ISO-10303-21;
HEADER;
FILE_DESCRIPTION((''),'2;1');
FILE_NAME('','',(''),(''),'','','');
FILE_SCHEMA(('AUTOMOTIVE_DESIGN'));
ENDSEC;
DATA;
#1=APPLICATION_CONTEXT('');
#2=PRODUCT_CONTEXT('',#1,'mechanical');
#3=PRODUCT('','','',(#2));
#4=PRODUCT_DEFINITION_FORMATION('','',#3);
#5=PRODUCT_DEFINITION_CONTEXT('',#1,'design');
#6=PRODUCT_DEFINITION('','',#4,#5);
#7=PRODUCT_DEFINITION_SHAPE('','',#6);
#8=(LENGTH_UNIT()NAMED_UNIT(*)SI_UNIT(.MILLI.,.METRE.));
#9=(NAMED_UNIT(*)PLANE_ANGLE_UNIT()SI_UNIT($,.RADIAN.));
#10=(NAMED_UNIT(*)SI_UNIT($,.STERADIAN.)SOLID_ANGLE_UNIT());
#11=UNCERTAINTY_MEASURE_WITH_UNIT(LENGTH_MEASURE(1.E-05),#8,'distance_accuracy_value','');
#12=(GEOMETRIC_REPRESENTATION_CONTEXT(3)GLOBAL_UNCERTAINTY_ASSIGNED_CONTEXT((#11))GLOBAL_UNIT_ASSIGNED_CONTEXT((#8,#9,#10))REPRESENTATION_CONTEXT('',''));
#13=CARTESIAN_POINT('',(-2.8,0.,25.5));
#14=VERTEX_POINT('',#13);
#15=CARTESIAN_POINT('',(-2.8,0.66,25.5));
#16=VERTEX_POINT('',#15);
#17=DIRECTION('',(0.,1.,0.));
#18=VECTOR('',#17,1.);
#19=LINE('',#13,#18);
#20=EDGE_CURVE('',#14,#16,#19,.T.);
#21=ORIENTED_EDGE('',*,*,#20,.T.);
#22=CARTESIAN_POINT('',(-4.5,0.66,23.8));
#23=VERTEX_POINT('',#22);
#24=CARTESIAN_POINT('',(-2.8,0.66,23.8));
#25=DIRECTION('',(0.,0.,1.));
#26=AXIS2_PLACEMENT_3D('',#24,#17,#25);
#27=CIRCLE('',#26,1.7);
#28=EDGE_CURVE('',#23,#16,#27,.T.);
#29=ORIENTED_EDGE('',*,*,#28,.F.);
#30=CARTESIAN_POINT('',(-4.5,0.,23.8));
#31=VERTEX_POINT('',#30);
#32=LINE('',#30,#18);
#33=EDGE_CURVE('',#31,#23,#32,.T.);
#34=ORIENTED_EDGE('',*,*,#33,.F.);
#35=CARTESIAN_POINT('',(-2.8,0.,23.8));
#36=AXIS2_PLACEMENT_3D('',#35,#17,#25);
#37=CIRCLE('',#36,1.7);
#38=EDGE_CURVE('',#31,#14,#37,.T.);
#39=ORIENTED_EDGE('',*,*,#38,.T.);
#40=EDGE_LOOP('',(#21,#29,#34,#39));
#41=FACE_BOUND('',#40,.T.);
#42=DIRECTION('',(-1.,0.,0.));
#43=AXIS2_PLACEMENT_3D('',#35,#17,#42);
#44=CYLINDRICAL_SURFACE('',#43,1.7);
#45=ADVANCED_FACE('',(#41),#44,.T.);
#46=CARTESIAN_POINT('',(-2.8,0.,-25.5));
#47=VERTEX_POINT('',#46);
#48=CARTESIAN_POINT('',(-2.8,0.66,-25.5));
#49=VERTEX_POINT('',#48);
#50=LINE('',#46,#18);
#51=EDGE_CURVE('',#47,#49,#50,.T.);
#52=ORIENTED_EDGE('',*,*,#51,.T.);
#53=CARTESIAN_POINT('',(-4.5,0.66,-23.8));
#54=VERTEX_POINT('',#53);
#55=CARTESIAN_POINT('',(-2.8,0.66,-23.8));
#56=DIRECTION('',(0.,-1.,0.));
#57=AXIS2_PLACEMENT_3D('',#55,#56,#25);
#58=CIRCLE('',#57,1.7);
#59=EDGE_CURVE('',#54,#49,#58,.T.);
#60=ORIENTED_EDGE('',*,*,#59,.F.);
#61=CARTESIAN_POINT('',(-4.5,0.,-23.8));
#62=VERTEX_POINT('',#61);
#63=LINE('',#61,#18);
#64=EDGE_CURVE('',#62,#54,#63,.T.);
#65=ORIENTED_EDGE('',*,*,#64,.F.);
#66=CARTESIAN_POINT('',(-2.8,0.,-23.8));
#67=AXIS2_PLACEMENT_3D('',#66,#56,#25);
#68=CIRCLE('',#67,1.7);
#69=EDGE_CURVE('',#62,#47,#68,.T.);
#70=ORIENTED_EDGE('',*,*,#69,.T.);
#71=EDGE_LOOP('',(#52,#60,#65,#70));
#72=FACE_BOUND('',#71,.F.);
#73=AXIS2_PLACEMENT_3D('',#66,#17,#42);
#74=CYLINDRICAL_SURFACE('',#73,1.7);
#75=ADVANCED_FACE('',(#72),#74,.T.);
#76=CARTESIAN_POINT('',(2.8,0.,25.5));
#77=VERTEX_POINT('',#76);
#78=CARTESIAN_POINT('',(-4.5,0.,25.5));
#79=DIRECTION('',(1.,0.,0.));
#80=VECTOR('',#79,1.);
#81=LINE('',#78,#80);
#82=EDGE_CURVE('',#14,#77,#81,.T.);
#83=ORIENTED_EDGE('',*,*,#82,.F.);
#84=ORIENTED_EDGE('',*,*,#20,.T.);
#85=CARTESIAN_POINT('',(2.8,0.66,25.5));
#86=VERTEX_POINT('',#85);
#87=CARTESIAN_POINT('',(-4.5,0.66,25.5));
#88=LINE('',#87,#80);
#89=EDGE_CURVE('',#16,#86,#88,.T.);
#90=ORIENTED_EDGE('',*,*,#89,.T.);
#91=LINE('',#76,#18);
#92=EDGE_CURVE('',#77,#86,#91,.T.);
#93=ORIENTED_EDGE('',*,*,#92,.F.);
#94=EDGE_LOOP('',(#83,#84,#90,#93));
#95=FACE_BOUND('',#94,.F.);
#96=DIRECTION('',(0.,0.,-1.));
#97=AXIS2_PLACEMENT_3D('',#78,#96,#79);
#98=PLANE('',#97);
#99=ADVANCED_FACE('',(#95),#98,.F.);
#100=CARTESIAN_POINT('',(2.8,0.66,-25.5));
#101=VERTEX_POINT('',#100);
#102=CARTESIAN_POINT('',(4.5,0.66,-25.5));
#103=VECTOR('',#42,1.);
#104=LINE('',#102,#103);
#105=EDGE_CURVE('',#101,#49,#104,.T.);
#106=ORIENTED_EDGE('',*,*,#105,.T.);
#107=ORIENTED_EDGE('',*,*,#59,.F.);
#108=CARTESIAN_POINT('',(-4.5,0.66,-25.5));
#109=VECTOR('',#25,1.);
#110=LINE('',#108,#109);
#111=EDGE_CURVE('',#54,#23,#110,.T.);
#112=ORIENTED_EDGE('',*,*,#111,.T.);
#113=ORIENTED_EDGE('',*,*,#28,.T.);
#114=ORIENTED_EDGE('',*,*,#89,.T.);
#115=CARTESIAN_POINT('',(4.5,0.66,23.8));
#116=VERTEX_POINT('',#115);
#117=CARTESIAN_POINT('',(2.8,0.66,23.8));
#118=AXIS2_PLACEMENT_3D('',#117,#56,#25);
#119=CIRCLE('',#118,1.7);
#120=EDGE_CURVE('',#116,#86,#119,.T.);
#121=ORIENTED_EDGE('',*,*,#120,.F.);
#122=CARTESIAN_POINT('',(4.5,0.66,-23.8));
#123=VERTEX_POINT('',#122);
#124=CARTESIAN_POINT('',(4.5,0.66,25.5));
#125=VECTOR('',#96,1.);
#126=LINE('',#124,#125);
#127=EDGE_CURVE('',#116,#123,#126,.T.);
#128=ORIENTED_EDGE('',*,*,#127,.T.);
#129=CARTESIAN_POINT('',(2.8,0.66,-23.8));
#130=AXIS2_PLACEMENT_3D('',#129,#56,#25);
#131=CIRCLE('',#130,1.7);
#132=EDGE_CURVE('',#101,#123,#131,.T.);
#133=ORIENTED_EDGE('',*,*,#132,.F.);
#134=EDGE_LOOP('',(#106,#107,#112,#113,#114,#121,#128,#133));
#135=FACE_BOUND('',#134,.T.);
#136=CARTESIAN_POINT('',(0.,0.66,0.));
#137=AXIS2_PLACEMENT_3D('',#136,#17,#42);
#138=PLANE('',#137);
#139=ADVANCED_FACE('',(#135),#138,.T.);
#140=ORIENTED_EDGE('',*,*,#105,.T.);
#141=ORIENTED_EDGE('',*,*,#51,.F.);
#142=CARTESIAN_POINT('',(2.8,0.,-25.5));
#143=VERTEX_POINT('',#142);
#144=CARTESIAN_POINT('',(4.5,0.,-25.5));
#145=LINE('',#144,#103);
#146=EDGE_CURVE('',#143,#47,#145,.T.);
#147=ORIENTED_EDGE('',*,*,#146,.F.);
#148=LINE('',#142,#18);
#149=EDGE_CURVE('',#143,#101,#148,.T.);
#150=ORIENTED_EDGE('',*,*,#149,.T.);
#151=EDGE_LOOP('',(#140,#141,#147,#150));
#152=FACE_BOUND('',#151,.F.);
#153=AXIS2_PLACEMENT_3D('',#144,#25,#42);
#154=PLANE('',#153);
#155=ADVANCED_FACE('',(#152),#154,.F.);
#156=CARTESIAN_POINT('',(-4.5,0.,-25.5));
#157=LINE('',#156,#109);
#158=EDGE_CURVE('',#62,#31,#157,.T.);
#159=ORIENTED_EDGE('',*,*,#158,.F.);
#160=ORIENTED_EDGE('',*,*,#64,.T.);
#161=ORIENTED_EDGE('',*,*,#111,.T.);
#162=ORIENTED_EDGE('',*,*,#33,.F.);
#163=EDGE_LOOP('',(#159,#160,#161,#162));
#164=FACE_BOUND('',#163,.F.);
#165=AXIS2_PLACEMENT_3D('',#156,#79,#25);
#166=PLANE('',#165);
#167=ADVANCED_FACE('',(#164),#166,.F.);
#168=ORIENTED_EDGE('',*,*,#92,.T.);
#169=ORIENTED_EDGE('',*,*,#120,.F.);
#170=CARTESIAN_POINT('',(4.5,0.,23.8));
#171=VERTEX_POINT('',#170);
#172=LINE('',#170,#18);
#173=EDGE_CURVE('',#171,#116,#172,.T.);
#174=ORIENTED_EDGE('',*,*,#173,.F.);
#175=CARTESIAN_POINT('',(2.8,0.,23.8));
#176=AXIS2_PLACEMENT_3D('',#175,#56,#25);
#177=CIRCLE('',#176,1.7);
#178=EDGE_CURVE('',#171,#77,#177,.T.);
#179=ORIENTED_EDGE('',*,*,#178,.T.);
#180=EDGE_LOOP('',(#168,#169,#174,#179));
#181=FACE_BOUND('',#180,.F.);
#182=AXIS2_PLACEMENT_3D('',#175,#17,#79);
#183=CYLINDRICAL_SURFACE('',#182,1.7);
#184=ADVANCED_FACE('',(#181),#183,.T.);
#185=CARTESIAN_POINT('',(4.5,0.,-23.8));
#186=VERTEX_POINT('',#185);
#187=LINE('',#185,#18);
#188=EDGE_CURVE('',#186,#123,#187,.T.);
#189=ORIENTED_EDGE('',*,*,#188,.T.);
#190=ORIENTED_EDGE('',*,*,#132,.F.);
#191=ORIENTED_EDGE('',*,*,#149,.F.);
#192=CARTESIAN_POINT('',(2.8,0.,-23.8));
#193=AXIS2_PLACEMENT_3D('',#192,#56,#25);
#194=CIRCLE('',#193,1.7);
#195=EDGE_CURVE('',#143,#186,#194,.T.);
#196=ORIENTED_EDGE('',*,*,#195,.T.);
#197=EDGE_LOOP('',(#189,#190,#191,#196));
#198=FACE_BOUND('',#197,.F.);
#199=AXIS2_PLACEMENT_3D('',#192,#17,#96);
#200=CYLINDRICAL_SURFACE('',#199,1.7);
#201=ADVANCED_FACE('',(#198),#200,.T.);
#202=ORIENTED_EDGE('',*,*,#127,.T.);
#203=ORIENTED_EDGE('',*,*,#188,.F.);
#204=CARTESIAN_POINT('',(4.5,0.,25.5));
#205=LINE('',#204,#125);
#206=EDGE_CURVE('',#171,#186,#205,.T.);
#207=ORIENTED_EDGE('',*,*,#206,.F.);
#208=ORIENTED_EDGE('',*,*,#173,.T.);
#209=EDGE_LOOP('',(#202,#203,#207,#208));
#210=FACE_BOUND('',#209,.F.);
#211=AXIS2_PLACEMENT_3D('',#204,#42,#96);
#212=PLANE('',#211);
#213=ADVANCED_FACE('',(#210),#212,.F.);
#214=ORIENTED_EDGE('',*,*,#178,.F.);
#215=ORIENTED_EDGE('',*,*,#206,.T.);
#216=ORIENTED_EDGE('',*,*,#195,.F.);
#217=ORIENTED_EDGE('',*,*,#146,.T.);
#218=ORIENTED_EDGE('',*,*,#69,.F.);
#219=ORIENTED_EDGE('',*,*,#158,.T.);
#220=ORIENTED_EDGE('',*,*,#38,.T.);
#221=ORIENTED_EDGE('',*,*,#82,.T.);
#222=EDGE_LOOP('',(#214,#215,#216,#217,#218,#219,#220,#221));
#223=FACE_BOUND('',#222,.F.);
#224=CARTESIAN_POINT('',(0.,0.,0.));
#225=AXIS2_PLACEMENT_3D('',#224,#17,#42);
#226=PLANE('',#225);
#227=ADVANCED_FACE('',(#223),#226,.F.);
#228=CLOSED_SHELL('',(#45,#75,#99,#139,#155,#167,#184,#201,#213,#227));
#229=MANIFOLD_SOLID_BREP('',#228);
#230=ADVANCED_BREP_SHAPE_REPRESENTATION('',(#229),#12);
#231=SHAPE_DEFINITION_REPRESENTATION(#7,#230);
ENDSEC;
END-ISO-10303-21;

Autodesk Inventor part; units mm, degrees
ref_plane "YZ Plane" through (0, 0, 0) normal (1, 0, 0) x (0, 1, 0)
ref_plane "XZ Plane" through (0, 0, 0) normal (0, 1, 0) x (-1, 0, 0)
ref_plane "XY Plane" through (0, 0, 0) normal (0, 0, 1) x (1, 0, 0)
sketch "Эскиз1" plane through (0, 0, 0) normal (0, 1, 0) x (-1, 0, 0)
  line L0 (4.5, 25.5) -> (-4.5, 25.5)
  line L1 (-4.5, 25.5) -> (-4.5, -25.5)
  line L2 (-4.5, -25.5) -> (4.5, -25.5)
  line L3 (4.5, -25.5) -> (4.5, 25.5)
  line L4 (4.5, 25.5) -> (-4.5, -25.5) construction
  line L5 (-4.5, 25.5) -> (4.5, -25.5) construction
  point P0 (0, 0)
  dimension "d0" = 9
  dimension "d1" = 51
extrude "Выдавливание1" add sketch "Эскиз1" along normal blind 0.66
fillet "Сопряжение1" radius 1.7 4 edges at (4.5, 0.33, 25.5) (-4.5, 0.33, 25.5) (-4.5, 0.33, -25.5) (4.5, 0.33, -25.5)
properties part number "antenna"
